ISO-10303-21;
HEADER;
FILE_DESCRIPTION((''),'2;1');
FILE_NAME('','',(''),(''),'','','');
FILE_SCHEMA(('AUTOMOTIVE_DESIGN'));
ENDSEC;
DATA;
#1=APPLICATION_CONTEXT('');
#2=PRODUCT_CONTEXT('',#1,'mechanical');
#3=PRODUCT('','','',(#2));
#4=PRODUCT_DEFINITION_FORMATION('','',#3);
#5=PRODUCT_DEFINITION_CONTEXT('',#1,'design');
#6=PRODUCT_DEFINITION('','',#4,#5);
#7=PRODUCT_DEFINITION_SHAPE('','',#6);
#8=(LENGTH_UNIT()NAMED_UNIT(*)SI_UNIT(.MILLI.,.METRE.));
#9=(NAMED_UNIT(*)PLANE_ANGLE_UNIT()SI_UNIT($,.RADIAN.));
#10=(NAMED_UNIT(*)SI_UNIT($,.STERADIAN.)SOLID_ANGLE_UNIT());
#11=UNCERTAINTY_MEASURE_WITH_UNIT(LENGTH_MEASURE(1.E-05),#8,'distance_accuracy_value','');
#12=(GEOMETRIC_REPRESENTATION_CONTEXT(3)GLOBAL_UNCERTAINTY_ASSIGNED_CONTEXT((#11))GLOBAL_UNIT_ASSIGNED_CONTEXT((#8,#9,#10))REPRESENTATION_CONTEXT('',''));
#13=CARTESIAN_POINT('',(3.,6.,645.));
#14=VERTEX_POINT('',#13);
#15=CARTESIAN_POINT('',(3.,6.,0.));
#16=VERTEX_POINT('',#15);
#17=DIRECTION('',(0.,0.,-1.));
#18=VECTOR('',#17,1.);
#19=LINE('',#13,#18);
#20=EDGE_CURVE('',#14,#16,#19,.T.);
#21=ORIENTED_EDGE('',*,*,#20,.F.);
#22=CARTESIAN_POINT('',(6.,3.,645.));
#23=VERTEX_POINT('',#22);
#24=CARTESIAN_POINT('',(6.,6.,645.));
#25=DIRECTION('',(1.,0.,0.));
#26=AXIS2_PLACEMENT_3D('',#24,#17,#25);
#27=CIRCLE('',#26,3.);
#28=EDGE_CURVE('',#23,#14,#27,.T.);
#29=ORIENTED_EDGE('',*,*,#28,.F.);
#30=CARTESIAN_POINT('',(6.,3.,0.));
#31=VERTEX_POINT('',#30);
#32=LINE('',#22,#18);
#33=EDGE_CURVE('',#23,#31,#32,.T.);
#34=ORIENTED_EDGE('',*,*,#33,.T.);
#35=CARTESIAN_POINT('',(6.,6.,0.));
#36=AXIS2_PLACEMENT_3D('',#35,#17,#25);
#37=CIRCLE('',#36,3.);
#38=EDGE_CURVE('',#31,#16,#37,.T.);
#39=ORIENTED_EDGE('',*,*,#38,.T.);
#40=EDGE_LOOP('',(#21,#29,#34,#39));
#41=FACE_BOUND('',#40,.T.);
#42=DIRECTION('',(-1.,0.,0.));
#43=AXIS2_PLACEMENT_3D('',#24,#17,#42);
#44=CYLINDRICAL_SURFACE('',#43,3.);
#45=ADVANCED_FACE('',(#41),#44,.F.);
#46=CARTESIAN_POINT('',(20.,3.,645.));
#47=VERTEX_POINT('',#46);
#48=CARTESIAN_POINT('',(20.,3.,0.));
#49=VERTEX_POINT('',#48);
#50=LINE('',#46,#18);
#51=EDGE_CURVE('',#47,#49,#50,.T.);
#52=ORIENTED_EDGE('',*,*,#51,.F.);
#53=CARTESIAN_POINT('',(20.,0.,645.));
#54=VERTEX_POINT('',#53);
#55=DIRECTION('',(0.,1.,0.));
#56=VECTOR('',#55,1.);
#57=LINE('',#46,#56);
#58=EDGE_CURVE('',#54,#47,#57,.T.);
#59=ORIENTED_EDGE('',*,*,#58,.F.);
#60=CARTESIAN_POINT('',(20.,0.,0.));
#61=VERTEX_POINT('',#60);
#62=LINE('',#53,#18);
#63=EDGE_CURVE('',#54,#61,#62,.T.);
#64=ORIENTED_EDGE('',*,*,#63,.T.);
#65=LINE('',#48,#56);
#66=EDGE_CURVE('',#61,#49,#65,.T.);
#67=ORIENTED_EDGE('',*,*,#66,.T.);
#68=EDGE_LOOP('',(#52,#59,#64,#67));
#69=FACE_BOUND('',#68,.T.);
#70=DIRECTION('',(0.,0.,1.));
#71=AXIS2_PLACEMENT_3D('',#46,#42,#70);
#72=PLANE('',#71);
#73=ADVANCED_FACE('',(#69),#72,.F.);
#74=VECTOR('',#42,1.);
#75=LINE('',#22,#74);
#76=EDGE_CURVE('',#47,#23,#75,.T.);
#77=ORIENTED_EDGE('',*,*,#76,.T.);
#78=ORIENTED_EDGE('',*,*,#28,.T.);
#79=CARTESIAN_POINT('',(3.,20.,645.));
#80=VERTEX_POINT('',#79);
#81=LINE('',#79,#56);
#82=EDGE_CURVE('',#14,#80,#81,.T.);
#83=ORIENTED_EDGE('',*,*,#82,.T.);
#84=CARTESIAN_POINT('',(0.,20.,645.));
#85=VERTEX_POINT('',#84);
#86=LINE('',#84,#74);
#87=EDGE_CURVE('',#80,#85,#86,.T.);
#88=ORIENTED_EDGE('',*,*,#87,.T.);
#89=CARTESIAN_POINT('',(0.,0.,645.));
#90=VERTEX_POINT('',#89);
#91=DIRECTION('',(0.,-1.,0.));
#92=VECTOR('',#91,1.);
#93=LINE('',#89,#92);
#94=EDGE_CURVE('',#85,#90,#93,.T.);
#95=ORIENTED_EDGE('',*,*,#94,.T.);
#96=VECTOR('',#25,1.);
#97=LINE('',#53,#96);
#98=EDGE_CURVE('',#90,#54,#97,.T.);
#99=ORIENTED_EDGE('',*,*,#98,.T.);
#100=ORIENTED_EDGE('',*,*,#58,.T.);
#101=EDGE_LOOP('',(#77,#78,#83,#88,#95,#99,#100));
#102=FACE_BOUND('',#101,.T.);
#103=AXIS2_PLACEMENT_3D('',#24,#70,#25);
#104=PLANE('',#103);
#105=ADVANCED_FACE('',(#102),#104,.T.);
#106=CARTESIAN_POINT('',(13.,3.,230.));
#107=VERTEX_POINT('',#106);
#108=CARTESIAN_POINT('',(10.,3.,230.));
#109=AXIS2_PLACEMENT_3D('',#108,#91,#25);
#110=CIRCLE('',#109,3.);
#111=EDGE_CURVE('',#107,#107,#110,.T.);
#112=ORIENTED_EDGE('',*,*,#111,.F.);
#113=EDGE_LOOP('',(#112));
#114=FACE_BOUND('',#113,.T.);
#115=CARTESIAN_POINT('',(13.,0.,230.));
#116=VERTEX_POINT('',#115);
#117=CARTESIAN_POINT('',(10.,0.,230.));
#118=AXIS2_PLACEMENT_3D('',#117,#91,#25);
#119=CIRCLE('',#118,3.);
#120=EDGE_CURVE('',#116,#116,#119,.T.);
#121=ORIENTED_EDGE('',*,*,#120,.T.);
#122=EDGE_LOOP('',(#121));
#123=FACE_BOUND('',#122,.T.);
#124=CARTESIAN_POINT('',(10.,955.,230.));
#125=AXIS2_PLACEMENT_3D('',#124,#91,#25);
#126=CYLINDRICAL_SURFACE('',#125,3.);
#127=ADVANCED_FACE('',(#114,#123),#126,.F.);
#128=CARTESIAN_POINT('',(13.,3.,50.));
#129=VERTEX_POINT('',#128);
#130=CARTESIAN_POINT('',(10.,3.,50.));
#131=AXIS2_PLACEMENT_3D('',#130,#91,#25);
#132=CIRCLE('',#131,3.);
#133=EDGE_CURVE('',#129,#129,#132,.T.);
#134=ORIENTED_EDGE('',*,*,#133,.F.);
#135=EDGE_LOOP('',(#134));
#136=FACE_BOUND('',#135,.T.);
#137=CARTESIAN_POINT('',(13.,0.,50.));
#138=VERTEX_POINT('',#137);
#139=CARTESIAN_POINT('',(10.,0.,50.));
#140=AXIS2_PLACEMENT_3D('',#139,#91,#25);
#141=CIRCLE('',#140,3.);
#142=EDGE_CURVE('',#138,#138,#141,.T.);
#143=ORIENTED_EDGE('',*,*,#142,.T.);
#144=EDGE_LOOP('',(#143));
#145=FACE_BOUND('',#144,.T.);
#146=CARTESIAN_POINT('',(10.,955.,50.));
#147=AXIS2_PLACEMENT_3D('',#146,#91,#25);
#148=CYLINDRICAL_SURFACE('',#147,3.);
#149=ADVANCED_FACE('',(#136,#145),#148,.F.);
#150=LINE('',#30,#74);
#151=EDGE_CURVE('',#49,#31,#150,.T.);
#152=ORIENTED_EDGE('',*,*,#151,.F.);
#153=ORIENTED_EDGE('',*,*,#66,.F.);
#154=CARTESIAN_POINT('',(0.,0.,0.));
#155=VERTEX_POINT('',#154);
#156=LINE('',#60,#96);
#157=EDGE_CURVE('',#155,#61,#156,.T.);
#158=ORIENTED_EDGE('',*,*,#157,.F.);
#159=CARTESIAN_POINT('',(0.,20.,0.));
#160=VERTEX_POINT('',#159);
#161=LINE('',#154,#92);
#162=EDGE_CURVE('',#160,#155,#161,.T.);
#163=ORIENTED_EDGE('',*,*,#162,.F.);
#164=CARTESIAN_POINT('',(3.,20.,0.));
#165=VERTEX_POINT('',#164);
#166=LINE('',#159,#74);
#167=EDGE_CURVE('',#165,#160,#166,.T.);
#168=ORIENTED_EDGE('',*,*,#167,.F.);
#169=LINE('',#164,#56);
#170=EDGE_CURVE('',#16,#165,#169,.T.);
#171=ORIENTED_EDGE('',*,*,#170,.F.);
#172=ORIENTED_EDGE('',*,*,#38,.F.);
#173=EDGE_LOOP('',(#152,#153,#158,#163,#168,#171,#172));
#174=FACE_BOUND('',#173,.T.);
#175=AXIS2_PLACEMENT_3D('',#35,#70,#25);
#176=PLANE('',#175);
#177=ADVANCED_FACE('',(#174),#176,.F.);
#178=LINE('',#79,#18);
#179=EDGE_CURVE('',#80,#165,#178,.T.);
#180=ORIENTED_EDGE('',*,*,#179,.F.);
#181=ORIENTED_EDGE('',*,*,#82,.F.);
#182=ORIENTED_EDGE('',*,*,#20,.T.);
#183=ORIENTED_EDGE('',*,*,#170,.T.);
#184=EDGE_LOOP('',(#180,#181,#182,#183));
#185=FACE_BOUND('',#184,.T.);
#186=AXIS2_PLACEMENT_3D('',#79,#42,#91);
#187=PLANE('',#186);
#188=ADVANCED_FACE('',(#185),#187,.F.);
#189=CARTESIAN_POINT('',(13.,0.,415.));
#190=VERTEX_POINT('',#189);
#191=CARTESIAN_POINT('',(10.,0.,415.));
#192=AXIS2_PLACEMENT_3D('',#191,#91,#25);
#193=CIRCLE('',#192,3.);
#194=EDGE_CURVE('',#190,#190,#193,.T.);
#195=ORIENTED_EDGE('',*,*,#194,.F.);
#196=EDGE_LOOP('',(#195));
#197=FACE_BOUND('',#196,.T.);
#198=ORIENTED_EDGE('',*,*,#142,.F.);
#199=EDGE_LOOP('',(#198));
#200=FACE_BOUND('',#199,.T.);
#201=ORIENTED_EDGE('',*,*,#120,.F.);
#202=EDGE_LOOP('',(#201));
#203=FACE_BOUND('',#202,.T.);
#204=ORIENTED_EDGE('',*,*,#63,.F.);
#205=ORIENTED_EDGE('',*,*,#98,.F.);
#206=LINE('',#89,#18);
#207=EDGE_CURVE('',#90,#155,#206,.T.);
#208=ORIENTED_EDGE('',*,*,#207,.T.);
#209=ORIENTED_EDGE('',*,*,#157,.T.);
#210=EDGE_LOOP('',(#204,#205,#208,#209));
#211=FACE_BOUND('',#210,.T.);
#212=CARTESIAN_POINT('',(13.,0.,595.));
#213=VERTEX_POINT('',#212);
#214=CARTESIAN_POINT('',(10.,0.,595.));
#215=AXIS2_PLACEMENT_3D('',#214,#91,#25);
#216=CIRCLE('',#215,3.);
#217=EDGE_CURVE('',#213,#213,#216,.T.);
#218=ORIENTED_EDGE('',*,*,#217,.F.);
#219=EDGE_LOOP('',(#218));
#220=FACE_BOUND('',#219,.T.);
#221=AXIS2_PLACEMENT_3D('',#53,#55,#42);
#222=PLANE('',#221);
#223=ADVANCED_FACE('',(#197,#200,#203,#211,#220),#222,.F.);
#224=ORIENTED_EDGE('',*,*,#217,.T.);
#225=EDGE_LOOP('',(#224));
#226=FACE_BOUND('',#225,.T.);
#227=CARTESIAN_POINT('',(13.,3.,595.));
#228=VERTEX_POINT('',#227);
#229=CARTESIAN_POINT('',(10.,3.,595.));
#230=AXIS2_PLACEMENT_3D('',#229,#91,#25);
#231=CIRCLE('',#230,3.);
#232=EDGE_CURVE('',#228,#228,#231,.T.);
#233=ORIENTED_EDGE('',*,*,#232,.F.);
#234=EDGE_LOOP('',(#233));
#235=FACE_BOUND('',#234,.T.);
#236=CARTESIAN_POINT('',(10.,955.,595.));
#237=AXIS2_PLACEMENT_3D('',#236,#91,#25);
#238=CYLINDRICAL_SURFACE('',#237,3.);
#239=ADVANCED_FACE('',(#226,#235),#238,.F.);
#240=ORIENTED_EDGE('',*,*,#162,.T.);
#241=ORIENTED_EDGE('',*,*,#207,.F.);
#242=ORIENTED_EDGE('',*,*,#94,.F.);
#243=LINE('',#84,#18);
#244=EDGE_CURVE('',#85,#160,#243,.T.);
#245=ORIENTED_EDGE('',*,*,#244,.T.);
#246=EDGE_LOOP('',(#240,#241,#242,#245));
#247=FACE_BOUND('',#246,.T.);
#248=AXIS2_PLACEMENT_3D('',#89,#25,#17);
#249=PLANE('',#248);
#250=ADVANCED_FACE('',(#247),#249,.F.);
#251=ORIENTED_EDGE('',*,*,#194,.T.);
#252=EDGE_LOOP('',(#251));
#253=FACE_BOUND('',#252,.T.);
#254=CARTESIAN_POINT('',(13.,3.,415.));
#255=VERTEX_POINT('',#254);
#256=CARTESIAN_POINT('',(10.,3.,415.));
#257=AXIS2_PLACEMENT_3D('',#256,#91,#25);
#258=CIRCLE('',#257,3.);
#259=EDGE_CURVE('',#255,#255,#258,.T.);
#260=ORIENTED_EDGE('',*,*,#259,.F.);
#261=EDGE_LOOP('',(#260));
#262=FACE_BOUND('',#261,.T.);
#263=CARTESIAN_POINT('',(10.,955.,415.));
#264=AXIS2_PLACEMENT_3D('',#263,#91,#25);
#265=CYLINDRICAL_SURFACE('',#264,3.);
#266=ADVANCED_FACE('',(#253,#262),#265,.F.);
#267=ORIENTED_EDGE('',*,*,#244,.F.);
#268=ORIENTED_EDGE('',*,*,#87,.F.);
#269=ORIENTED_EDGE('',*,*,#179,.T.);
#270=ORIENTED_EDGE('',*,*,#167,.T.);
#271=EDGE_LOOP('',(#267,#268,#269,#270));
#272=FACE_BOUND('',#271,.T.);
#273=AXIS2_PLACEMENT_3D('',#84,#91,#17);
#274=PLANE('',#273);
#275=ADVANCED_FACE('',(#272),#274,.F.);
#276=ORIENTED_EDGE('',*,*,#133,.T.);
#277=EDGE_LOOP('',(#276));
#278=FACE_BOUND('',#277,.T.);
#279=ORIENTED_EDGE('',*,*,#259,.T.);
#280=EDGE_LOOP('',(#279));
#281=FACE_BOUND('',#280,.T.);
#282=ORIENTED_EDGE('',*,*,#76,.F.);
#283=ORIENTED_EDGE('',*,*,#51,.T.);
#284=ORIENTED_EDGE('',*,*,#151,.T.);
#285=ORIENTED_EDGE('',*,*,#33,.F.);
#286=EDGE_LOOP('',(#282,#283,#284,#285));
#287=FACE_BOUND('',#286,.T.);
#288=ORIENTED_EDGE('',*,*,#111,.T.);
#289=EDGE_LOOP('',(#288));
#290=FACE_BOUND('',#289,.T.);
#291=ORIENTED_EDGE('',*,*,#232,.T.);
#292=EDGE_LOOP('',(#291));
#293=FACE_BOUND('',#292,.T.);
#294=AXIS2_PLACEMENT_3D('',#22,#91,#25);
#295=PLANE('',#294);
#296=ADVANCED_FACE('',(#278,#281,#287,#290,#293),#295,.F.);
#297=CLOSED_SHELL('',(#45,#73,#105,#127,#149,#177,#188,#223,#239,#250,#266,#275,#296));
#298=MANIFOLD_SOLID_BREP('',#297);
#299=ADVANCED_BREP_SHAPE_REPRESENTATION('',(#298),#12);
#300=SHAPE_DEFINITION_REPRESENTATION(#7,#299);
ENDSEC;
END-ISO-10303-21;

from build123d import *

# Parameters (mm, degrees)
BOSS_EXTRU_1_DEPTH      = 645
ESQUISSE2_R             = 3
ENL_V_MAT_EXTRU_1_DEPTH = 955


with BuildPart() as part:
    # Esquisse1 → Boss.-Extru.1 (new body)
    with BuildSketch(Plane.XY):
        with BuildLine():
            Line((0, 0), (0, 20))
            Line((0, 20), (3, 20))
            Line((3, 20), (3, 6))
            ThreePointArc((3, 6), (3.878679656, 3.878679656), (6, 3))
            Line((6, 3), (20, 3))
            Line((20, 3), (20, 0))
            Line((20, 0), (0, 0))
        make_face()
    extrude(amount=BOSS_EXTRU_1_DEPTH)

    # Esquisse2 → Enlèv. mat.-Extru.1 (cut)
    with BuildSketch(Plane(origin=(0, 0, 0), x_dir=(-1, 0, 0), z_dir=(0, -1, 0))):
        with Locations(Location((-10, -50, 0), (0, 0, 180))):
            Circle(ESQUISSE2_R)
        with Locations(Location((-10, -595, 0), (0, 0, 180))):
            Circle(ESQUISSE2_R)
        with Locations(Location((-10, -230, 0), (0, 0, 180))):
            Circle(ESQUISSE2_R)
        with Locations(Location((-10, -415, 0), (0, 0, 180))):
            Circle(ESQUISSE2_R)
    extrude(amount=-ENL_V_MAT_EXTRU_1_DEPTH, mode=Mode.SUBTRACT)


solid = part.part
